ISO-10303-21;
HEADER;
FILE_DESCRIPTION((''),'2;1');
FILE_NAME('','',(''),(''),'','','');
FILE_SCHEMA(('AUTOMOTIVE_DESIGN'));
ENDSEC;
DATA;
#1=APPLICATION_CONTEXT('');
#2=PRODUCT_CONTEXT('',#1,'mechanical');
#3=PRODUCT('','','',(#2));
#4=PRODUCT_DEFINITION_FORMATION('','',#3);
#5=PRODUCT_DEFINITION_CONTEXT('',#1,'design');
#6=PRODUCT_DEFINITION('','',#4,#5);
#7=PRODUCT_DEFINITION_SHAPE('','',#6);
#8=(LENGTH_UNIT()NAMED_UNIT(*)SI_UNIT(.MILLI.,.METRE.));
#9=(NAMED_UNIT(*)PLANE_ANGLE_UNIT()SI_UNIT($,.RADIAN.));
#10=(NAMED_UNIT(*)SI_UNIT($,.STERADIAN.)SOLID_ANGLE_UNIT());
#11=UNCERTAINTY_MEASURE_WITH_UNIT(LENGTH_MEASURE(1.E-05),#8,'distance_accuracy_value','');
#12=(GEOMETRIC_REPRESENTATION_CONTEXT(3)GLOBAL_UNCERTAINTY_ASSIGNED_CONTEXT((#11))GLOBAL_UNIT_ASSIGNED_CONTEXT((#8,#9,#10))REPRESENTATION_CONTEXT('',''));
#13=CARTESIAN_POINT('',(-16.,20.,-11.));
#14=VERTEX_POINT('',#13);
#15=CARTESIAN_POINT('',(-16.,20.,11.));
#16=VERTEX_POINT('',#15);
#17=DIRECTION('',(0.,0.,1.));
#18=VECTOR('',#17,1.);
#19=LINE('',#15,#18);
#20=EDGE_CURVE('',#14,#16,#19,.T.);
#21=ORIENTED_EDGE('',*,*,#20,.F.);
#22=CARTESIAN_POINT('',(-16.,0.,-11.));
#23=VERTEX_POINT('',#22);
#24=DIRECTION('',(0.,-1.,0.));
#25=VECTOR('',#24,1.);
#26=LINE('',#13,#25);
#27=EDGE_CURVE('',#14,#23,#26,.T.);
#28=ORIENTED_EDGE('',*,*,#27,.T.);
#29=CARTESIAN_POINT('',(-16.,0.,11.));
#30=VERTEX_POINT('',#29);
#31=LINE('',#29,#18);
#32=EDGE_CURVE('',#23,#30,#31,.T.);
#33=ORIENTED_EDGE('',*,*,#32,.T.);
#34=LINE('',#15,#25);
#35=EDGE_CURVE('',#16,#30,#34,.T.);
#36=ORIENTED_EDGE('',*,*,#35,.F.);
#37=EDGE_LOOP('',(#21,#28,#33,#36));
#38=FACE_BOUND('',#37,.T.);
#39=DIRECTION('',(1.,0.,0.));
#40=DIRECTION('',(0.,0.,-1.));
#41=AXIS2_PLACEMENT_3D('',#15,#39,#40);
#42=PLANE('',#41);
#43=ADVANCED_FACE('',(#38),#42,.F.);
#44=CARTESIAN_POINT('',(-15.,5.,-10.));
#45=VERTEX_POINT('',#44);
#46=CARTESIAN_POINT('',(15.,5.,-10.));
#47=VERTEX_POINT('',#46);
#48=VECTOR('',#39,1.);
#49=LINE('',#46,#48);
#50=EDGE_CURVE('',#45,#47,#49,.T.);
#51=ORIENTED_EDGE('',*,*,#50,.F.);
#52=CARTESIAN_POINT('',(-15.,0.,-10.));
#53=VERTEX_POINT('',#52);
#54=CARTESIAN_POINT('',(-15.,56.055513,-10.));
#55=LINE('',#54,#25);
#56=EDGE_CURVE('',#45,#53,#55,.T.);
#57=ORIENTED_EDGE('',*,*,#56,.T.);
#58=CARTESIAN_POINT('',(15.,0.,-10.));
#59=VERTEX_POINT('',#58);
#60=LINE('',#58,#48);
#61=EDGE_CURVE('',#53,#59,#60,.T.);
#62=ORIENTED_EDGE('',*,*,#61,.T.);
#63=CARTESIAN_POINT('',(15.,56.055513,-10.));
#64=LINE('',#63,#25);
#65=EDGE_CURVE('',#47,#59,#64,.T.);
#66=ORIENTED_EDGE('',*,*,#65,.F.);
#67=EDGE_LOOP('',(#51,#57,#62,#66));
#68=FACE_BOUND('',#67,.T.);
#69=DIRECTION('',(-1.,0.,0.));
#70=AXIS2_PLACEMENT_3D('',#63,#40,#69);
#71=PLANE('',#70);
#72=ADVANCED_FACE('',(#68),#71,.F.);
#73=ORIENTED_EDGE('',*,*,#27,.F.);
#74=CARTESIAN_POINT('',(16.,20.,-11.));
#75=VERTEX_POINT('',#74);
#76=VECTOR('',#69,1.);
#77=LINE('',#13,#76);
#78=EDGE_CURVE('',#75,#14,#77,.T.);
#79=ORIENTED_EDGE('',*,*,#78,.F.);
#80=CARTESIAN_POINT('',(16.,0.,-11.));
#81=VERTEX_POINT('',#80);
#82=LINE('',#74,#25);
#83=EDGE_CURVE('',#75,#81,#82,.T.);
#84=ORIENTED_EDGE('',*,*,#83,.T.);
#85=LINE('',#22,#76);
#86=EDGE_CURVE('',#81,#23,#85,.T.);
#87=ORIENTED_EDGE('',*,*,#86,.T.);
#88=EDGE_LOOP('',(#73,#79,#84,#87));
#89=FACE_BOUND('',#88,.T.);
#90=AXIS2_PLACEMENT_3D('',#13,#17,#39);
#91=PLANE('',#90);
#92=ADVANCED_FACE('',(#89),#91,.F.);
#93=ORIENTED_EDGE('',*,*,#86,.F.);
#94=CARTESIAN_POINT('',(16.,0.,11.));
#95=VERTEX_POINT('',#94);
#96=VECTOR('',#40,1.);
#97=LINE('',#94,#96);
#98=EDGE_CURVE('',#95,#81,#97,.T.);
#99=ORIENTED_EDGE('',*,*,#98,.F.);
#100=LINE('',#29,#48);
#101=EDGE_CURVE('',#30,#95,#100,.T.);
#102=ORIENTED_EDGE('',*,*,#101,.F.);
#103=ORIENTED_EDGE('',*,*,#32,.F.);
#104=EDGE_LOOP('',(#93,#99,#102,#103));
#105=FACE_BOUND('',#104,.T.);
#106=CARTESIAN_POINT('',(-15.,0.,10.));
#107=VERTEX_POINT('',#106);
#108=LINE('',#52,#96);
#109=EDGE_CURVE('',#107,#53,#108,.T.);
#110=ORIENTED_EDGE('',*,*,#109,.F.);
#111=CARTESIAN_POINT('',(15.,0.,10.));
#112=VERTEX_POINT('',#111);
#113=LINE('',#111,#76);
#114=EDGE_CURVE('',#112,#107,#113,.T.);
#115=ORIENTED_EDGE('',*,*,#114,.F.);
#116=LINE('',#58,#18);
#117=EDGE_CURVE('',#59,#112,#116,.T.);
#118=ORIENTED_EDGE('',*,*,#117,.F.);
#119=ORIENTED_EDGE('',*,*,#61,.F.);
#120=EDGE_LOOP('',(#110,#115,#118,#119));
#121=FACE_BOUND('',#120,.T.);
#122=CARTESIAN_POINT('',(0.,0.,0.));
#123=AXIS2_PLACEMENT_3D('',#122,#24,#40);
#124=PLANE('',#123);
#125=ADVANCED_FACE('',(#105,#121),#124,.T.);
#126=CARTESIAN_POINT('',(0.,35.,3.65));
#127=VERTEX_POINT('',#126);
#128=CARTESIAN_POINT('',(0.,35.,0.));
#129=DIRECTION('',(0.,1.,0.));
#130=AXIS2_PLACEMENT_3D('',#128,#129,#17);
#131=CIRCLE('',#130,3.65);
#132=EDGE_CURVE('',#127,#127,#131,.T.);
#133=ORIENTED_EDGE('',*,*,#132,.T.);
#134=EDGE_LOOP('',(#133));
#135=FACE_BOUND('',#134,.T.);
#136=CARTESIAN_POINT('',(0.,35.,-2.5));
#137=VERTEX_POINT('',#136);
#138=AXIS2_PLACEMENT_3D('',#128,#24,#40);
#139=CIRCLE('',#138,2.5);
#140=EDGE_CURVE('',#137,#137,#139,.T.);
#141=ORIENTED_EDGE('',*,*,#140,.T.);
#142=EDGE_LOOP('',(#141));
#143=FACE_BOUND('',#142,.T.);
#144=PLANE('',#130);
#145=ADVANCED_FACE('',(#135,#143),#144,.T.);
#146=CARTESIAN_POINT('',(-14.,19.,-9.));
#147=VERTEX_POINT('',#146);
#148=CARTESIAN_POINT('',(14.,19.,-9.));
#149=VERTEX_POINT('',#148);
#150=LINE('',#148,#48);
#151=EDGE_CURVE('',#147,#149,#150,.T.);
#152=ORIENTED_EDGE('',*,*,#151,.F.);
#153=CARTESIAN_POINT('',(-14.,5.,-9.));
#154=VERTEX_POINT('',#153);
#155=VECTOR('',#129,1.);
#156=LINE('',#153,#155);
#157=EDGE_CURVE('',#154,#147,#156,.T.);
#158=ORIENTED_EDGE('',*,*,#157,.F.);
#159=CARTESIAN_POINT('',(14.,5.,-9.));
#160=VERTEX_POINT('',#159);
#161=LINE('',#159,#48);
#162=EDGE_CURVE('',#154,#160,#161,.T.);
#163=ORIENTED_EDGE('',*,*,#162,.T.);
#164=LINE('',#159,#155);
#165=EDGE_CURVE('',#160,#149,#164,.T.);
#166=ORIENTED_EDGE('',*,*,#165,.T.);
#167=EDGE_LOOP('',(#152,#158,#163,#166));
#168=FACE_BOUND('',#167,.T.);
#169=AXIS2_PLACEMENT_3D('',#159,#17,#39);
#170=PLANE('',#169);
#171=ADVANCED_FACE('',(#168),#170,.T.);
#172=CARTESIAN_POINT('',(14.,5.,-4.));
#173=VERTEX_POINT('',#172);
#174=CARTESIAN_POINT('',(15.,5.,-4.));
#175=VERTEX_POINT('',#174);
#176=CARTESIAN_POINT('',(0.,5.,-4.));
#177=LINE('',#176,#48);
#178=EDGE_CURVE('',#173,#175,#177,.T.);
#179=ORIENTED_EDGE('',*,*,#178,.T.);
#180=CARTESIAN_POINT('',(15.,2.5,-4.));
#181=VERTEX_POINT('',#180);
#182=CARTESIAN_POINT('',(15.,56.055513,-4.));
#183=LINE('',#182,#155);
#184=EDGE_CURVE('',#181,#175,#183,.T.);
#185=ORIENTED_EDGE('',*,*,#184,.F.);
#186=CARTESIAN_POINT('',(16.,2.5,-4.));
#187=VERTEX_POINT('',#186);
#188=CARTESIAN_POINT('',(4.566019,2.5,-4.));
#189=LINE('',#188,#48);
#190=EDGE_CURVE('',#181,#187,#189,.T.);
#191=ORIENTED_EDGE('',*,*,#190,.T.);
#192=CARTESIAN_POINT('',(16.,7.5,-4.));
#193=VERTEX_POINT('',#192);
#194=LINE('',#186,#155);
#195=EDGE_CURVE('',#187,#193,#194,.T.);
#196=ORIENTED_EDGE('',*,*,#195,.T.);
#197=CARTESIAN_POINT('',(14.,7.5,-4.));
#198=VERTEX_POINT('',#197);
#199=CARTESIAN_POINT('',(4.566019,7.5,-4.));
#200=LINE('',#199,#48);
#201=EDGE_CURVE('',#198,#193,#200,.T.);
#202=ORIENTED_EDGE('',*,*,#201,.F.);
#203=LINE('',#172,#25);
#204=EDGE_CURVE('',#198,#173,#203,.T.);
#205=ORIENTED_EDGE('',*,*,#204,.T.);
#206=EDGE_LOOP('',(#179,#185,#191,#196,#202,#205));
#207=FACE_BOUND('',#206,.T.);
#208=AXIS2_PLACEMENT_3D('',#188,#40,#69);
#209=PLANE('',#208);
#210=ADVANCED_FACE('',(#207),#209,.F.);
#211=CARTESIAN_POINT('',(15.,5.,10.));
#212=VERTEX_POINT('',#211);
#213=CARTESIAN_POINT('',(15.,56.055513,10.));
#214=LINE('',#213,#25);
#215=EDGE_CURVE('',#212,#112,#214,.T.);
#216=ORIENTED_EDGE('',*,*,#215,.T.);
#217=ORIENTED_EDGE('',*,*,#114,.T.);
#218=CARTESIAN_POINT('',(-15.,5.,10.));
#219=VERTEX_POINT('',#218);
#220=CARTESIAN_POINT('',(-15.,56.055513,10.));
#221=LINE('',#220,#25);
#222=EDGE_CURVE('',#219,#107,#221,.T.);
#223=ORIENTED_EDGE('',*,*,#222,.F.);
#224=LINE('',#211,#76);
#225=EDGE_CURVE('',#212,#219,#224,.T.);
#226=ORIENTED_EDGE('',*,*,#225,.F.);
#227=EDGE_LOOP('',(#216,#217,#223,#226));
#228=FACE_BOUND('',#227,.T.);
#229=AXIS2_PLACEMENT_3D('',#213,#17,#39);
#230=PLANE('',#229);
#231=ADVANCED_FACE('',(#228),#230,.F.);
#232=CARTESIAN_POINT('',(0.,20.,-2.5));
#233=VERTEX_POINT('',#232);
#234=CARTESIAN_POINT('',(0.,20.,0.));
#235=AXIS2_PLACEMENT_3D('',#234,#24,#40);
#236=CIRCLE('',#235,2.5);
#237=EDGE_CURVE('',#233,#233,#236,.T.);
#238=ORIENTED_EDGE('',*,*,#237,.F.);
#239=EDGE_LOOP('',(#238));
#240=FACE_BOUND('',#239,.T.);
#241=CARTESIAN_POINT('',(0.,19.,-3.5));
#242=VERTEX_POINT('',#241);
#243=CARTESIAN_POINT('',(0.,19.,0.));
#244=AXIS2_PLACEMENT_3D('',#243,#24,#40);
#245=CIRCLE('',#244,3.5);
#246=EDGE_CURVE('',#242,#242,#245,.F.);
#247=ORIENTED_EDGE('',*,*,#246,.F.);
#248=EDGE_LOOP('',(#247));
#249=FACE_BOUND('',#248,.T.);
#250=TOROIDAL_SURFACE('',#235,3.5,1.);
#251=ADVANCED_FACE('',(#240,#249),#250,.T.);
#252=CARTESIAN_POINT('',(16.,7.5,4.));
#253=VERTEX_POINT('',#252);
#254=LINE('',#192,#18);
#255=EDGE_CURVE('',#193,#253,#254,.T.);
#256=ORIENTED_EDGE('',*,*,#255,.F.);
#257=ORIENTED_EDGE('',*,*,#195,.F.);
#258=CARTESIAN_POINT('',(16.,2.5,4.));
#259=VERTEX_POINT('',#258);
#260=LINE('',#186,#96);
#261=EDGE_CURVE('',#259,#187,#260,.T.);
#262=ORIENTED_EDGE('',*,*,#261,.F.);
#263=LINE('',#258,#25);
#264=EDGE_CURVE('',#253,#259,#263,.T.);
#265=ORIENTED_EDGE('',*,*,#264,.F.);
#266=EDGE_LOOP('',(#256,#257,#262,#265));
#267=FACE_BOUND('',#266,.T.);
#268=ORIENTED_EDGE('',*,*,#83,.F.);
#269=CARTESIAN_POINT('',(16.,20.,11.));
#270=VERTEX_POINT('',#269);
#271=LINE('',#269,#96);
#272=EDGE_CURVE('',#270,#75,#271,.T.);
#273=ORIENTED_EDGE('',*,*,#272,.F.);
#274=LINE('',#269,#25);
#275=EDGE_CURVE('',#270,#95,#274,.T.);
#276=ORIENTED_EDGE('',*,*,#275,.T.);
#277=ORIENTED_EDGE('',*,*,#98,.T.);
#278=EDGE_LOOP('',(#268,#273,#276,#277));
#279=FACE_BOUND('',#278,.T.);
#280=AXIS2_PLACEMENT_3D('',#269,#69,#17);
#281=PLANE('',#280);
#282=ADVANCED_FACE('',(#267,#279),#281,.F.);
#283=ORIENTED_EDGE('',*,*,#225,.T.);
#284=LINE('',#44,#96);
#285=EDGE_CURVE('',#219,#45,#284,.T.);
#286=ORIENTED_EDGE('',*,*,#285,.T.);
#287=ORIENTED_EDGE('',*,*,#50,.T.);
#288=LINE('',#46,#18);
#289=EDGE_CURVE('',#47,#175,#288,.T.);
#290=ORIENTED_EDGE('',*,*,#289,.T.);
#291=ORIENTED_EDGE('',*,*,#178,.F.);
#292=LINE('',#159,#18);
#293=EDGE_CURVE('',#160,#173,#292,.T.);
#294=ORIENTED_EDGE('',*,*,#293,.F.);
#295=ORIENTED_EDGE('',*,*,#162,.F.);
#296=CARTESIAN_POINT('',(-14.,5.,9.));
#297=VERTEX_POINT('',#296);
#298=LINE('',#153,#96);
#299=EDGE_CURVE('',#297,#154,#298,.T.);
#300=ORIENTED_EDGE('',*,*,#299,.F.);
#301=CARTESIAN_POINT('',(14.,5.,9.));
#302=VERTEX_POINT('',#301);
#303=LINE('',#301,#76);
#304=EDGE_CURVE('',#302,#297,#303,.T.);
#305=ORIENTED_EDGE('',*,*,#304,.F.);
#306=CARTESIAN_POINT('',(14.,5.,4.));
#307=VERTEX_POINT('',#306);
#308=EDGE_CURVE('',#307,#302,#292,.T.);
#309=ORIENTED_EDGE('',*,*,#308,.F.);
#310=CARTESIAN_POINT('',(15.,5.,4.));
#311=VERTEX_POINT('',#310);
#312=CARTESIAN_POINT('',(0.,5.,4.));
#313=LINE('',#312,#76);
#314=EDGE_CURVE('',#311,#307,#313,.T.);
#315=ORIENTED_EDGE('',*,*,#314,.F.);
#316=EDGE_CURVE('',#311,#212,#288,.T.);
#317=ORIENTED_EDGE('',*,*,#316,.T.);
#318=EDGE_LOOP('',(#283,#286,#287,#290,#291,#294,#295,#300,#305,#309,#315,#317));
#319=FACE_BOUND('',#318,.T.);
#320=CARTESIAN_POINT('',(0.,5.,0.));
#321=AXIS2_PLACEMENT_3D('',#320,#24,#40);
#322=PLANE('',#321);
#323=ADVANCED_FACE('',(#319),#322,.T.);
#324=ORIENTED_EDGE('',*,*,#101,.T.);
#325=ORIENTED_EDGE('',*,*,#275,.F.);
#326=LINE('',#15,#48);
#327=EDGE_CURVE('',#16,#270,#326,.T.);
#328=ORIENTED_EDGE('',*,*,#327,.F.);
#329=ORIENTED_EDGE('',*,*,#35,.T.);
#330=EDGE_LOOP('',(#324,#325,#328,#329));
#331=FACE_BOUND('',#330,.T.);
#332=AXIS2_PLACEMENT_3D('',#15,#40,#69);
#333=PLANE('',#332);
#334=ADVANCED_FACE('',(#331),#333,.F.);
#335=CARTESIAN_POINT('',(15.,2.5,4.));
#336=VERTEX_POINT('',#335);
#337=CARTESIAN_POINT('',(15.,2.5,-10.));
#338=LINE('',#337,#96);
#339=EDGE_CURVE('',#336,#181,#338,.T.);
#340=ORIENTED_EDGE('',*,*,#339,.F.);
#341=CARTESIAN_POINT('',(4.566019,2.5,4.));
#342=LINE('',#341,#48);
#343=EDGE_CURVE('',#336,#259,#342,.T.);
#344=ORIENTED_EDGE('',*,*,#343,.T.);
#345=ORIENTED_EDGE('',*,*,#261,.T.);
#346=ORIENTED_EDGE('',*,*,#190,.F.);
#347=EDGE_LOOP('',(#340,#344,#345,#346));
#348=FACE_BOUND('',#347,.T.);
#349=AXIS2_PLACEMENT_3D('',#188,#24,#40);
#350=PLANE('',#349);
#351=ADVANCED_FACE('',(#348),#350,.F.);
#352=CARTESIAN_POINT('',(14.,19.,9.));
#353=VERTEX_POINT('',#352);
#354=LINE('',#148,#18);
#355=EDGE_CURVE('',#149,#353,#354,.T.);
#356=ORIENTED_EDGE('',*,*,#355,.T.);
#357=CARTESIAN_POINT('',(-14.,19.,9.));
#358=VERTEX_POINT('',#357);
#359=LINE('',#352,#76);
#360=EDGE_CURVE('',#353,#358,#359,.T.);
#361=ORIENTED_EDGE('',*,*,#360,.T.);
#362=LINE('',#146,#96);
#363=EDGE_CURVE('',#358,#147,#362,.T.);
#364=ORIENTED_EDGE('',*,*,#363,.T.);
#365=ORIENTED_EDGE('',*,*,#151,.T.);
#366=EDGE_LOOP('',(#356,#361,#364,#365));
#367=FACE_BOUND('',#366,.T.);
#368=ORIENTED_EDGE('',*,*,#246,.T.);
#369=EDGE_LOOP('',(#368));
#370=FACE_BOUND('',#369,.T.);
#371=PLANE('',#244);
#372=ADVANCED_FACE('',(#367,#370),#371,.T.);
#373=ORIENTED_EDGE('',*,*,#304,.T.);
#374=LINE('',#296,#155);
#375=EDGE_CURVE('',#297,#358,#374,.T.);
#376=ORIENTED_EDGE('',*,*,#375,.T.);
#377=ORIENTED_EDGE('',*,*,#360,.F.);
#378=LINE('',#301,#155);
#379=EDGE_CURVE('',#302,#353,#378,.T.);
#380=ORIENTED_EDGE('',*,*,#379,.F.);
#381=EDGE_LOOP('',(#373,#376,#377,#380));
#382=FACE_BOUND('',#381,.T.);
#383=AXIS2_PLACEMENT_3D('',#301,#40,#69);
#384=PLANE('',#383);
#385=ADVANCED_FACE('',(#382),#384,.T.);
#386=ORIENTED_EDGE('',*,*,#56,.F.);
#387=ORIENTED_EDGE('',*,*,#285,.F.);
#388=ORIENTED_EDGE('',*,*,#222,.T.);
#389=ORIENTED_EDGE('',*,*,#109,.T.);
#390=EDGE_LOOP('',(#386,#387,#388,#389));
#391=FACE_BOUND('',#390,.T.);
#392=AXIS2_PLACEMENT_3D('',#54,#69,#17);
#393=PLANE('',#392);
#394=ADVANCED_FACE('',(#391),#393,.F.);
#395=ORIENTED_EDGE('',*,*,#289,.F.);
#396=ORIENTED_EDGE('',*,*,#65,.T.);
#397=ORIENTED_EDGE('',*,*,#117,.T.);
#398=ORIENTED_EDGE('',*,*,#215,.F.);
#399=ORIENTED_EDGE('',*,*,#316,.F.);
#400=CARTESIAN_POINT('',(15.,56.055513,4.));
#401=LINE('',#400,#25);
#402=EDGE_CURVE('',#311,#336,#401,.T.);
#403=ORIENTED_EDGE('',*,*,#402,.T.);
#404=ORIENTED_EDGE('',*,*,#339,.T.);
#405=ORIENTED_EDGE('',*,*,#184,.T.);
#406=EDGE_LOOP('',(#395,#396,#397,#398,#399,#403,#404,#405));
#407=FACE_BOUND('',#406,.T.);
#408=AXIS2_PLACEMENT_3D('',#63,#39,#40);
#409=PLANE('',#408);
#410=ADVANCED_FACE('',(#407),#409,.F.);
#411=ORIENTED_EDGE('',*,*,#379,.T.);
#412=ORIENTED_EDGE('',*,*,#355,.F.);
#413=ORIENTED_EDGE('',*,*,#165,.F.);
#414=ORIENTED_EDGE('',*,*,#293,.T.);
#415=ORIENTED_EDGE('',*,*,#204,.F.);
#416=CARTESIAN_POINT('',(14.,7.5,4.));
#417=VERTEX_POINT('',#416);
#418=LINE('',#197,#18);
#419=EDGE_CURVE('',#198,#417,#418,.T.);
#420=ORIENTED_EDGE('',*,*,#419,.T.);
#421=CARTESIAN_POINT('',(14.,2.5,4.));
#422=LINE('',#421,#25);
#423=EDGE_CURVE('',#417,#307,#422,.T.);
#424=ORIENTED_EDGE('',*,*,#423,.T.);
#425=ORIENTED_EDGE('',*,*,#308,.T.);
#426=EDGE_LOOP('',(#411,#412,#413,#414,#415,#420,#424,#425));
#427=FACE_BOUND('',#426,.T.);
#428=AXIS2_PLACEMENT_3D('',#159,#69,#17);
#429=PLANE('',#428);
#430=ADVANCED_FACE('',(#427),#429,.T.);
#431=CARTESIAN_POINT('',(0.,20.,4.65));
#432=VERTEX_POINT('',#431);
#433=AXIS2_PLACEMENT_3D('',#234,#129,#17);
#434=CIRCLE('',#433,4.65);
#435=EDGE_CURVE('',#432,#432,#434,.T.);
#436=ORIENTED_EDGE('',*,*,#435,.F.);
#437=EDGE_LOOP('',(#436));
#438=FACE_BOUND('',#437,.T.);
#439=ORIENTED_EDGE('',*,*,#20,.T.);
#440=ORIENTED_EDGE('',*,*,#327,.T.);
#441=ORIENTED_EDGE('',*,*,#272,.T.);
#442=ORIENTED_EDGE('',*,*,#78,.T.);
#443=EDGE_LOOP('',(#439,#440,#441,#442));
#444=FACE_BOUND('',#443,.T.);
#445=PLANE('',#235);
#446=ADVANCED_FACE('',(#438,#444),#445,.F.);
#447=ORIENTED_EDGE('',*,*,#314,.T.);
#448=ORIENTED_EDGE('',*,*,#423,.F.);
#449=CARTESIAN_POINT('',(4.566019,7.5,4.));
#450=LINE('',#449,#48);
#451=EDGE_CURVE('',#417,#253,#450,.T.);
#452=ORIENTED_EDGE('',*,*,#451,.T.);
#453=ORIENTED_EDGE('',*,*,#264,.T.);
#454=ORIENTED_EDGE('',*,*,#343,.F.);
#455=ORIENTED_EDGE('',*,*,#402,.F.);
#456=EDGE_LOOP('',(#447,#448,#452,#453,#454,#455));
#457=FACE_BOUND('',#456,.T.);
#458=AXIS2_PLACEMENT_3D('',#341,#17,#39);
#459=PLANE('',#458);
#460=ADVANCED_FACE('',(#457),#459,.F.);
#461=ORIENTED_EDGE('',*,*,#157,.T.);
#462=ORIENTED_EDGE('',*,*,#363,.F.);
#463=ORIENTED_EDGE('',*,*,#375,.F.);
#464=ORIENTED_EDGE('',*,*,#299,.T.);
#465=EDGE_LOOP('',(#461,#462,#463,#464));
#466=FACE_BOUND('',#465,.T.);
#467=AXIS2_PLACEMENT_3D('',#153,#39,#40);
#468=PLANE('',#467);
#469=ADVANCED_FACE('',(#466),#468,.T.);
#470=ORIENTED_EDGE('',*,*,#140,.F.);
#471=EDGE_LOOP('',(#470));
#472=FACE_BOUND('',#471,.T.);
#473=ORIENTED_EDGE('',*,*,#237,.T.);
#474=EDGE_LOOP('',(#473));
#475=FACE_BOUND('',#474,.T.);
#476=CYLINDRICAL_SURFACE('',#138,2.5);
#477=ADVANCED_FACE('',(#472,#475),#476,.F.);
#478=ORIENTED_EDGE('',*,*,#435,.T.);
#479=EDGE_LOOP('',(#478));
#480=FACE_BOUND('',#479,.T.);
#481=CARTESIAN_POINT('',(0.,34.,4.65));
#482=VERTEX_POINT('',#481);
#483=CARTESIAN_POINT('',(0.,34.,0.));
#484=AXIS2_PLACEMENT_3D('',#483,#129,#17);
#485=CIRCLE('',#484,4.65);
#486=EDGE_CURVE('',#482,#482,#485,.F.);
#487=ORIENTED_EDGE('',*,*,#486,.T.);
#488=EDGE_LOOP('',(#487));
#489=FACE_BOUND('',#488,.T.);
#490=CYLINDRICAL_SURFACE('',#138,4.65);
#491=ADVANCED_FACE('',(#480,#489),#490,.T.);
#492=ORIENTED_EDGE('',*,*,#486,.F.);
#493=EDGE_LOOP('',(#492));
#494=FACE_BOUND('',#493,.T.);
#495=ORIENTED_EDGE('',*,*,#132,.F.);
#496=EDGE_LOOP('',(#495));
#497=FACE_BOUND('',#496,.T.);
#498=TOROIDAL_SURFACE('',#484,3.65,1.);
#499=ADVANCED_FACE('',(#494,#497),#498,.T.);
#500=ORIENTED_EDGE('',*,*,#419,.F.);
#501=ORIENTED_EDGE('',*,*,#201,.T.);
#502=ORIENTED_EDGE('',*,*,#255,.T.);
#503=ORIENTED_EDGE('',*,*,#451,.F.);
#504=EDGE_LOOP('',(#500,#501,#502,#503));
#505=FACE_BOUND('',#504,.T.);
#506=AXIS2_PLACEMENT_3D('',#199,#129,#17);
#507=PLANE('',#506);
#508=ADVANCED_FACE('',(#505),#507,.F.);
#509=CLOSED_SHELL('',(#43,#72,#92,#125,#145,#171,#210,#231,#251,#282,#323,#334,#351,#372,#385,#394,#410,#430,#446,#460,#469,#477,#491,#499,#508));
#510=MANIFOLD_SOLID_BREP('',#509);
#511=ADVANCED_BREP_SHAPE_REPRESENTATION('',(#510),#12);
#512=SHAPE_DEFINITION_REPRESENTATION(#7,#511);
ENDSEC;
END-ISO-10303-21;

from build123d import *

# Parameters (mm, degrees)
SKETCH1_W           = 32
SKETCH1_H           = 22
BOSS_EXTRUDE1_DEPTH = 20
SKETCH2_R           = 4.65
BOSS_EXTRUDE2_DEPTH = 15
SKETCH3_W           = 30
SKETCH3_H           = 20
CUT_EXTRUDE1_DEPTH  = 19
SKETCH4_R           = 2.5
CUT_EXTRUDE2_DEPTH  = 28.166155414
FILLET1_R           = 1
FILLET2_R           = 1
SKETCH5_W           = 30
SKETCH5_H           = 20
SKETCH5_W_2         = 28
SKETCH5_H_2         = 18
BOSS_EXTRUDE3_DEPTH = 14
CUT_EXTRUDE3_REACH  = 50.683
SKETCH8_W           = 8
SKETCH8_H           = 5


with BuildPart() as part:
    # Sketch1 → Boss-Extrude1 (new body)
    with BuildSketch(Plane(origin=(0, 0, 0), x_dir=(1, 0, 0), z_dir=(0, 1, 0))):
        Rectangle(SKETCH1_W, SKETCH1_H)
    extrude(amount=BOSS_EXTRUDE1_DEPTH)

    # Sketch2 → Boss-Extrude2 (add)
    with BuildSketch(Plane(origin=(0, 20, 0), x_dir=(1, 0, 0), z_dir=(0, 1, 0))):
        with Locations(Location((0, 0, 0), (0, 0, 270))):
            Circle(SKETCH2_R)
    extrude(amount=BOSS_EXTRUDE2_DEPTH)

    # Sketch3 → Cut-Extrude1 (cut)
    with BuildSketch(Plane.XZ):
        Rectangle(SKETCH3_W, SKETCH3_H)
    extrude(amount=-CUT_EXTRUDE1_DEPTH, mode=Mode.SUBTRACT)

    # Sketch4 → Cut-Extrude2 (cut, through all)
    with BuildSketch(Plane.XZ.offset(-19)):
        with Locations(Location((0, 0, 0), (0, 0, 270))):
            Circle(SKETCH4_R)
    extrude(amount=-CUT_EXTRUDE2_DEPTH, mode=Mode.SUBTRACT)

    # Fillet1
    fillet1_edges = [part.edges().sort_by_distance(p)[0] for p in [
        (0, 35, -4.65),
    ]]
    fillet(fillet1_edges, radius=FILLET1_R)

    # Fillet2
    fillet2_edges = [part.edges().sort_by_distance(p)[0] for p in [
        (0, 19, 2.5),
    ]]
    fillet(fillet2_edges, radius=FILLET2_R)

    # Sketch5 → Boss-Extrude3 (add)
    with BuildSketch(Plane.XZ.offset(-19)):
        Rectangle(SKETCH5_W, SKETCH5_H)
        Rectangle(SKETCH5_W_2, SKETCH5_H_2, mode=Mode.SUBTRACT)
    extrude(amount=BOSS_EXTRUDE3_DEPTH)

    # Cut-Extrude3: up to this face of the body (flat: up to its plane)
    cut_extrude3_end = Plane(part.part.faces().sort_by_distance((14, 12, 0))[0])
    # Sketch8 → Cut-Extrude3 (cut, up to the picked face)
    with BuildSketch(Plane(origin=(16, 0, 0), x_dir=(0, 0, -1), z_dir=(1, 0, 0)), mode=Mode.PRIVATE) as cut_extrude3_sk1:
        with Locations((0, 5)):
            Rectangle(SKETCH8_W, SKETCH8_H)
    cut_extrude3_tool1 = split(extrude(cut_extrude3_sk1.sketch, amount=-CUT_EXTRUDE3_REACH, mode=Mode.PRIVATE), bisect_by=cut_extrude3_end, keep=Keep.BOTH, mode=Mode.PRIVATE)
    add(cut_extrude3_tool1.solids().sort_by(Axis((16, 5, 0), (-1, 0, 0)))[0], mode=Mode.SUBTRACT)


solid = part.part
